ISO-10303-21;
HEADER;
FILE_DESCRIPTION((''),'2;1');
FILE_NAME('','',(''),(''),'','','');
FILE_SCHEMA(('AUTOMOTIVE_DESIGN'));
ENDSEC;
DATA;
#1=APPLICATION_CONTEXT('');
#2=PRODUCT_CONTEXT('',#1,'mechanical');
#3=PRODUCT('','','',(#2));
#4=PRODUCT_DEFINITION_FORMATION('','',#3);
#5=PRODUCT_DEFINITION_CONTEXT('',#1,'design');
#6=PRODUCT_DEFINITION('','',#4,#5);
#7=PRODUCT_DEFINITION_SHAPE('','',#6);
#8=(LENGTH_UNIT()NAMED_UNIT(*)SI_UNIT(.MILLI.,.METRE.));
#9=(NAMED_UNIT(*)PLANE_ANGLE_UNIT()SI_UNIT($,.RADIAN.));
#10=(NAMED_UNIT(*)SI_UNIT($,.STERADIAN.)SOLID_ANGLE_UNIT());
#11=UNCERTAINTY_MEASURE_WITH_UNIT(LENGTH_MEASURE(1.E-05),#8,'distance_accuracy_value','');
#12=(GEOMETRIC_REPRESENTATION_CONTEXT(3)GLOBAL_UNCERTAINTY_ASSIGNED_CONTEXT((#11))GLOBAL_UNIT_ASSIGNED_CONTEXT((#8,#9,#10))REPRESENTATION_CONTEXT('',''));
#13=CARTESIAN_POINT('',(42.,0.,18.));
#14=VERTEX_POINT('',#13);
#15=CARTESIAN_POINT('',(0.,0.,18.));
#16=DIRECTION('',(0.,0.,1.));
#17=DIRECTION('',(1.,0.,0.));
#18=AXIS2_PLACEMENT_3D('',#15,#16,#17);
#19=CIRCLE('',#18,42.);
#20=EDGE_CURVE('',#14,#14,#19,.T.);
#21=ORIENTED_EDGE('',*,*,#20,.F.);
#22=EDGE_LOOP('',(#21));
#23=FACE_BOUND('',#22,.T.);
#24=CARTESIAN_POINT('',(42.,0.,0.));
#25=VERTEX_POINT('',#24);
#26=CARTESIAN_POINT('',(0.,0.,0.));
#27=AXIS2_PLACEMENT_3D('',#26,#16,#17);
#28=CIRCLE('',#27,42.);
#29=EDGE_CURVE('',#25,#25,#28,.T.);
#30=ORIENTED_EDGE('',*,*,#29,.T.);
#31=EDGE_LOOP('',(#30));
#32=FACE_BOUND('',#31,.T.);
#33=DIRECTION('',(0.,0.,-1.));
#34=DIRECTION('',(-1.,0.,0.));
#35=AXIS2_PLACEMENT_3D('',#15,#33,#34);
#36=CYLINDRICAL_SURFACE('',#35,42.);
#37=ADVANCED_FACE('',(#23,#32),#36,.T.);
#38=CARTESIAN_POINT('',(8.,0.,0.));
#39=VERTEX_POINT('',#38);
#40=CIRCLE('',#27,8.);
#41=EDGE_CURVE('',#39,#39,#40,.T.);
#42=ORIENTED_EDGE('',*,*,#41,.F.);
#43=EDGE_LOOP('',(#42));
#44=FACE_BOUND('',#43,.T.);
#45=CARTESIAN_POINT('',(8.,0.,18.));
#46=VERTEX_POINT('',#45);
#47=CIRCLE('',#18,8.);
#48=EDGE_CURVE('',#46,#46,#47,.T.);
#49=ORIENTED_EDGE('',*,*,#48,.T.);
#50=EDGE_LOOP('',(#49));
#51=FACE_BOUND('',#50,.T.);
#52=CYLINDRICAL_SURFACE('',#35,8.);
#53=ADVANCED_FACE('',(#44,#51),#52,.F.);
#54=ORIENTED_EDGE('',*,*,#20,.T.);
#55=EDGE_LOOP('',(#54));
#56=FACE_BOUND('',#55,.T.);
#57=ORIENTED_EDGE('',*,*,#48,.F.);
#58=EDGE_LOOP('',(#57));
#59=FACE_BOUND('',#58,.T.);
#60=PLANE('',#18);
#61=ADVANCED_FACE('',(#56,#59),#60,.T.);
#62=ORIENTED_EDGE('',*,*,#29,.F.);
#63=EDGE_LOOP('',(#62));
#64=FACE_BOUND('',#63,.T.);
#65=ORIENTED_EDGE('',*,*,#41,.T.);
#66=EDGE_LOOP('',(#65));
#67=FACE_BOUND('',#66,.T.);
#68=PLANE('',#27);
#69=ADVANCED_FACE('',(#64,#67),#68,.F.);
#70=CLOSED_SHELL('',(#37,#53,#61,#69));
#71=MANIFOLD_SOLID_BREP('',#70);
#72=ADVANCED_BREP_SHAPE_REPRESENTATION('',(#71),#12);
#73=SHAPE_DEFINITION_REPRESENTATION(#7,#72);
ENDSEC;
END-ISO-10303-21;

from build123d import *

# Parameters (mm, degrees)
SKETCH_1_R      = 42
SKETCH_1_R_2    = 8
EXTRUDE_1_DEPTH = 18


with BuildPart() as part:
    # 草图1 → 凸台-拉伸1 (new body)
    with BuildSketch(Plane.XY):
        Circle(SKETCH_1_R)
        Circle(SKETCH_1_R_2, mode=Mode.SUBTRACT)
    extrude(amount=EXTRUDE_1_DEPTH)


solid = part.part
